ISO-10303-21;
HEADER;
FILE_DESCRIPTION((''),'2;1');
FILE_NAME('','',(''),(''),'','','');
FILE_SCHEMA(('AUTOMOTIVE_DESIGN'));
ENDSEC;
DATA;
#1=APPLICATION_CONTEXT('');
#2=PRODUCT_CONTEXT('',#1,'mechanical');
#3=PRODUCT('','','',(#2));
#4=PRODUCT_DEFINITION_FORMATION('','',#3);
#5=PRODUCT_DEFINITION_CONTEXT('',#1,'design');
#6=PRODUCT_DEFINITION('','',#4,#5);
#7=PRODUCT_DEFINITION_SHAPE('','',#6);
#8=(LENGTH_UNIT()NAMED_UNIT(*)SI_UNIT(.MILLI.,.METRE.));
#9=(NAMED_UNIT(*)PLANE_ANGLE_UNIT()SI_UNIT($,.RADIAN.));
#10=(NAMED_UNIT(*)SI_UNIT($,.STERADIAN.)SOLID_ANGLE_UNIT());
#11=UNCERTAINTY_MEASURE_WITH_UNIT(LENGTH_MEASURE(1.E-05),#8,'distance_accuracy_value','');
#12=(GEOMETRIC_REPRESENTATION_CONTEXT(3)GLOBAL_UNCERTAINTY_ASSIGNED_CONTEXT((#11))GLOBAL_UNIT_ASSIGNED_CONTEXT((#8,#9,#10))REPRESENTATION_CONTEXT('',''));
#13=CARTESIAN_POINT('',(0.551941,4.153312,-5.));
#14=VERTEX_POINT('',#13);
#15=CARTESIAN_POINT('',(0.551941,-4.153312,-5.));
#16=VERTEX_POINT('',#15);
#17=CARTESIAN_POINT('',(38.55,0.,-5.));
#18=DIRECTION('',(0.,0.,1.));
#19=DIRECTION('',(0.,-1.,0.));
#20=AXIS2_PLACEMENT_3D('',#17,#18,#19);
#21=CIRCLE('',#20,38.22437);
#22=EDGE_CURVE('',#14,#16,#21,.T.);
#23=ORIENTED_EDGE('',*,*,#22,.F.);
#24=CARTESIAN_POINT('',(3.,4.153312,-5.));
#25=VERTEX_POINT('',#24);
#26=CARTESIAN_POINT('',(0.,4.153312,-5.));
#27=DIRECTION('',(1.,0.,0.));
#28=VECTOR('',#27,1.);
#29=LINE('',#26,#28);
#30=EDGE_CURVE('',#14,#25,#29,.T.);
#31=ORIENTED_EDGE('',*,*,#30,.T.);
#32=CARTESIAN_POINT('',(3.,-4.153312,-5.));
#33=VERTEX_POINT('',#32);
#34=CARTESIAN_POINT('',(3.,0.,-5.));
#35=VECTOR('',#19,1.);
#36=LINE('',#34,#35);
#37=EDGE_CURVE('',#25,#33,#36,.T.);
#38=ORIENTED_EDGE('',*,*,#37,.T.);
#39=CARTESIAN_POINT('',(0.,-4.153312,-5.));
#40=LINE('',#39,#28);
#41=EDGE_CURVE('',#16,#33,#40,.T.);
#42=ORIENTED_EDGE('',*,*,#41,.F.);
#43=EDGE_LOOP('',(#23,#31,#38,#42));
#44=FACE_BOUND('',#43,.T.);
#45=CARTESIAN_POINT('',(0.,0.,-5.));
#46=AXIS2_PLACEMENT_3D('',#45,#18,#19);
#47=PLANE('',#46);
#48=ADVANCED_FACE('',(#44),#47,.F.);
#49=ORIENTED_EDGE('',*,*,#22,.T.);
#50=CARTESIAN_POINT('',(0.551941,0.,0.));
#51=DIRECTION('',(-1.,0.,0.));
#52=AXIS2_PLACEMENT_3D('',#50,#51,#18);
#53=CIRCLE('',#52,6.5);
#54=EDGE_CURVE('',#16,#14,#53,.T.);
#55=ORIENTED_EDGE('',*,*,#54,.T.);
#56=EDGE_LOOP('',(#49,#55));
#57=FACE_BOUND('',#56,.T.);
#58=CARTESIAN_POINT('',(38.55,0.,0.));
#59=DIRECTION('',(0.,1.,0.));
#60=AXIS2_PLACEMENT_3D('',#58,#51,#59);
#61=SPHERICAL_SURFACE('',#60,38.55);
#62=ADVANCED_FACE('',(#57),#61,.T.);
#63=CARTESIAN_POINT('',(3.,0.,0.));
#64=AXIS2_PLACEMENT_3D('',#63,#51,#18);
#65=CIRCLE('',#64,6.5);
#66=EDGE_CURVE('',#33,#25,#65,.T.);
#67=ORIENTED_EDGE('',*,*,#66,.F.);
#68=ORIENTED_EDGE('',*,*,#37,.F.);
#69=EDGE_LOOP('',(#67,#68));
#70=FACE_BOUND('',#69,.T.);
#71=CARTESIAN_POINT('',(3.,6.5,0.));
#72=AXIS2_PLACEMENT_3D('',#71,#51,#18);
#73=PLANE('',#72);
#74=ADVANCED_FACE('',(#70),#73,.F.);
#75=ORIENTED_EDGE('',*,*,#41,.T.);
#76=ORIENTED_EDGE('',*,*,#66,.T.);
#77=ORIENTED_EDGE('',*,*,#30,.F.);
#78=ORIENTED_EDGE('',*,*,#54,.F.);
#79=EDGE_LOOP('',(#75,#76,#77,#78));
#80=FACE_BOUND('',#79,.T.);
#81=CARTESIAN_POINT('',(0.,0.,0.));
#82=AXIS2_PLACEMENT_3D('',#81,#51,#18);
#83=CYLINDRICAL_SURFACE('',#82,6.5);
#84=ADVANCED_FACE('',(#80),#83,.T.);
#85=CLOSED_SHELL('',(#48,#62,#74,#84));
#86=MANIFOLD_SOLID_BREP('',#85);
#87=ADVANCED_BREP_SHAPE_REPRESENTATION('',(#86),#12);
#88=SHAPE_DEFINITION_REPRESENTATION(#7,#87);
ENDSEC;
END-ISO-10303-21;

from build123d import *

# Parameters (mm, degrees)
CUT_EXTRUDE_1_DEPTH = 4


with BuildPart() as part:
    # Эскиз1 → Повернуть1 (revolve)
    with BuildSketch(Plane.XY):
        with BuildLine():
            Line((0.551940839, 6.5), (3, 6.5))
            Line((3, 6.5), (3, 0))
            Line((3, 0), (0, 0))
            ThreePointArc((0, 0), (0.138233049, 3.261695828), (0.551940839, 6.5))
        make_face()
    revolve(axis=Axis((0, 0, 0), (1, 0, 0)))

    # Эскиз2 → Вырез-Вытянуть1 (cut, through all)
    with BuildSketch(Plane(origin=(3, 0, 0), x_dir=(0, 0, -1), z_dir=(1, 0, 0))):
        Polygon((5, 45.505699726), (5, 4.153311931), (5, -4.153311931), (5, -45.505699726), (87.70477559, -45.505699726), (87.70477559, 45.505699726), align=None)
    extrude(amount=-CUT_EXTRUDE_1_DEPTH, mode=Mode.SUBTRACT)


solid = part.part
